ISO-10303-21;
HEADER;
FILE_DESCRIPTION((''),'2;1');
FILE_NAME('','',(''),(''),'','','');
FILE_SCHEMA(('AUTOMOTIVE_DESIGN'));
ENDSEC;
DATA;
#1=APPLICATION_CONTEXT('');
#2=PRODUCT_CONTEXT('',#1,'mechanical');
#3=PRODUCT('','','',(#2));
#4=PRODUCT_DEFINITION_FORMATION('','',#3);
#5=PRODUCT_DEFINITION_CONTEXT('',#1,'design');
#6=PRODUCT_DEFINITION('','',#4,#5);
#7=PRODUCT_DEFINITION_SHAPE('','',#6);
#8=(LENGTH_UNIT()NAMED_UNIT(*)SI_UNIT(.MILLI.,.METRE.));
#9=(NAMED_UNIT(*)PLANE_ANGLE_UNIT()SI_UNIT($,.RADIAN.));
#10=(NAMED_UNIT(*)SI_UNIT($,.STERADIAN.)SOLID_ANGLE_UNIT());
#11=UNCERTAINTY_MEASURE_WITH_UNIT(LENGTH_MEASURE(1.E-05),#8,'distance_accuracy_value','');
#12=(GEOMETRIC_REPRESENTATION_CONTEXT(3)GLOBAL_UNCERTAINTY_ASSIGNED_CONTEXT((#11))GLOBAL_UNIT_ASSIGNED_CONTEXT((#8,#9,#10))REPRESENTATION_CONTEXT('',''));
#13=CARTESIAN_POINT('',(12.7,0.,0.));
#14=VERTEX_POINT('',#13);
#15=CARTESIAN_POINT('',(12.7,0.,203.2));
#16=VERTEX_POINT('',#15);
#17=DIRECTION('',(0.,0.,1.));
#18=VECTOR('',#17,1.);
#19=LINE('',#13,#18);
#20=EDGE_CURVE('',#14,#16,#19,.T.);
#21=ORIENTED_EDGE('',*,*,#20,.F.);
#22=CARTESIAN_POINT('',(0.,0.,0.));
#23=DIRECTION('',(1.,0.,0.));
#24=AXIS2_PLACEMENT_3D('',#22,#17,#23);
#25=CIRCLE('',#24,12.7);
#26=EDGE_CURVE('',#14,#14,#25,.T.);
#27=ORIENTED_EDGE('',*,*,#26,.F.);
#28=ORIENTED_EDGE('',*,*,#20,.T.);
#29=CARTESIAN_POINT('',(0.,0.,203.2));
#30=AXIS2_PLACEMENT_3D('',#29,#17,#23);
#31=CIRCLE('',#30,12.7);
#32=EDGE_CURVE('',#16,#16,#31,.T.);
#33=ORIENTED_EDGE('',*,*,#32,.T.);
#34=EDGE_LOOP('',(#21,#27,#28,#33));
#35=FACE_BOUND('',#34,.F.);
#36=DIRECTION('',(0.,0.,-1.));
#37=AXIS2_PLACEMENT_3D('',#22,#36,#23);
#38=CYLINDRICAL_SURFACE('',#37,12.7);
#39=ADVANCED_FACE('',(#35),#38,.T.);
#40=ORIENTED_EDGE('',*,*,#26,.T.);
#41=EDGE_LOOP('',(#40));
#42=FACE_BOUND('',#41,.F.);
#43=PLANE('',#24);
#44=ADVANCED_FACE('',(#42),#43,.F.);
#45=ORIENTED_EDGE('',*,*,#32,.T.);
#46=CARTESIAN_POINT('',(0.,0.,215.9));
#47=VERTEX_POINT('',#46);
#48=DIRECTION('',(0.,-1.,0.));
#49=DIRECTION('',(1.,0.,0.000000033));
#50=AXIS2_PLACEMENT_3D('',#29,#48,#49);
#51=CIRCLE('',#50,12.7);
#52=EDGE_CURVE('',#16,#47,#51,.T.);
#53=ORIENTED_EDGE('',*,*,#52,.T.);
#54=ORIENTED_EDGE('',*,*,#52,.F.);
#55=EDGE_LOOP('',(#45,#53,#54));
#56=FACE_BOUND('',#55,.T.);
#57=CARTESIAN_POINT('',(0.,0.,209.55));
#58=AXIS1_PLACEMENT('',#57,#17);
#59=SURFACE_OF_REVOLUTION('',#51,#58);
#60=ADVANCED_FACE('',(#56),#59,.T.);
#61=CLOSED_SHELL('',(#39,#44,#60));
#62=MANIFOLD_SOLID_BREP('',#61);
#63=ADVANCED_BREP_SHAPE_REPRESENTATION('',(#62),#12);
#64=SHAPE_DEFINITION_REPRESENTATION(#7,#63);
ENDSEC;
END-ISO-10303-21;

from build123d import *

# Parameters (mm, degrees)
F0_R     = 12.7
F1_DEPTH = 203.2


with BuildPart() as f1:
    # F0 (on Top) → F1 (new body)
    with BuildSketch(Plane.XY):
        Circle(F0_R)
    extrude(amount=F1_DEPTH)

    # F2 (on Front) → F3 (revolve)
    with BuildSketch(Plane.XZ):
        with BuildLine():
            Line((0, 215.9), (0, 203.2))
            Line((0, 203.2), (12.7, 203.2))
            ThreePointArc((12.7, 203.2), (8.980256, 212.180256), (0, 215.9))
        make_face()
    revolve(axis=Axis((0, 0, 209.55), (0, 0, 1)))


solid = f1.part
